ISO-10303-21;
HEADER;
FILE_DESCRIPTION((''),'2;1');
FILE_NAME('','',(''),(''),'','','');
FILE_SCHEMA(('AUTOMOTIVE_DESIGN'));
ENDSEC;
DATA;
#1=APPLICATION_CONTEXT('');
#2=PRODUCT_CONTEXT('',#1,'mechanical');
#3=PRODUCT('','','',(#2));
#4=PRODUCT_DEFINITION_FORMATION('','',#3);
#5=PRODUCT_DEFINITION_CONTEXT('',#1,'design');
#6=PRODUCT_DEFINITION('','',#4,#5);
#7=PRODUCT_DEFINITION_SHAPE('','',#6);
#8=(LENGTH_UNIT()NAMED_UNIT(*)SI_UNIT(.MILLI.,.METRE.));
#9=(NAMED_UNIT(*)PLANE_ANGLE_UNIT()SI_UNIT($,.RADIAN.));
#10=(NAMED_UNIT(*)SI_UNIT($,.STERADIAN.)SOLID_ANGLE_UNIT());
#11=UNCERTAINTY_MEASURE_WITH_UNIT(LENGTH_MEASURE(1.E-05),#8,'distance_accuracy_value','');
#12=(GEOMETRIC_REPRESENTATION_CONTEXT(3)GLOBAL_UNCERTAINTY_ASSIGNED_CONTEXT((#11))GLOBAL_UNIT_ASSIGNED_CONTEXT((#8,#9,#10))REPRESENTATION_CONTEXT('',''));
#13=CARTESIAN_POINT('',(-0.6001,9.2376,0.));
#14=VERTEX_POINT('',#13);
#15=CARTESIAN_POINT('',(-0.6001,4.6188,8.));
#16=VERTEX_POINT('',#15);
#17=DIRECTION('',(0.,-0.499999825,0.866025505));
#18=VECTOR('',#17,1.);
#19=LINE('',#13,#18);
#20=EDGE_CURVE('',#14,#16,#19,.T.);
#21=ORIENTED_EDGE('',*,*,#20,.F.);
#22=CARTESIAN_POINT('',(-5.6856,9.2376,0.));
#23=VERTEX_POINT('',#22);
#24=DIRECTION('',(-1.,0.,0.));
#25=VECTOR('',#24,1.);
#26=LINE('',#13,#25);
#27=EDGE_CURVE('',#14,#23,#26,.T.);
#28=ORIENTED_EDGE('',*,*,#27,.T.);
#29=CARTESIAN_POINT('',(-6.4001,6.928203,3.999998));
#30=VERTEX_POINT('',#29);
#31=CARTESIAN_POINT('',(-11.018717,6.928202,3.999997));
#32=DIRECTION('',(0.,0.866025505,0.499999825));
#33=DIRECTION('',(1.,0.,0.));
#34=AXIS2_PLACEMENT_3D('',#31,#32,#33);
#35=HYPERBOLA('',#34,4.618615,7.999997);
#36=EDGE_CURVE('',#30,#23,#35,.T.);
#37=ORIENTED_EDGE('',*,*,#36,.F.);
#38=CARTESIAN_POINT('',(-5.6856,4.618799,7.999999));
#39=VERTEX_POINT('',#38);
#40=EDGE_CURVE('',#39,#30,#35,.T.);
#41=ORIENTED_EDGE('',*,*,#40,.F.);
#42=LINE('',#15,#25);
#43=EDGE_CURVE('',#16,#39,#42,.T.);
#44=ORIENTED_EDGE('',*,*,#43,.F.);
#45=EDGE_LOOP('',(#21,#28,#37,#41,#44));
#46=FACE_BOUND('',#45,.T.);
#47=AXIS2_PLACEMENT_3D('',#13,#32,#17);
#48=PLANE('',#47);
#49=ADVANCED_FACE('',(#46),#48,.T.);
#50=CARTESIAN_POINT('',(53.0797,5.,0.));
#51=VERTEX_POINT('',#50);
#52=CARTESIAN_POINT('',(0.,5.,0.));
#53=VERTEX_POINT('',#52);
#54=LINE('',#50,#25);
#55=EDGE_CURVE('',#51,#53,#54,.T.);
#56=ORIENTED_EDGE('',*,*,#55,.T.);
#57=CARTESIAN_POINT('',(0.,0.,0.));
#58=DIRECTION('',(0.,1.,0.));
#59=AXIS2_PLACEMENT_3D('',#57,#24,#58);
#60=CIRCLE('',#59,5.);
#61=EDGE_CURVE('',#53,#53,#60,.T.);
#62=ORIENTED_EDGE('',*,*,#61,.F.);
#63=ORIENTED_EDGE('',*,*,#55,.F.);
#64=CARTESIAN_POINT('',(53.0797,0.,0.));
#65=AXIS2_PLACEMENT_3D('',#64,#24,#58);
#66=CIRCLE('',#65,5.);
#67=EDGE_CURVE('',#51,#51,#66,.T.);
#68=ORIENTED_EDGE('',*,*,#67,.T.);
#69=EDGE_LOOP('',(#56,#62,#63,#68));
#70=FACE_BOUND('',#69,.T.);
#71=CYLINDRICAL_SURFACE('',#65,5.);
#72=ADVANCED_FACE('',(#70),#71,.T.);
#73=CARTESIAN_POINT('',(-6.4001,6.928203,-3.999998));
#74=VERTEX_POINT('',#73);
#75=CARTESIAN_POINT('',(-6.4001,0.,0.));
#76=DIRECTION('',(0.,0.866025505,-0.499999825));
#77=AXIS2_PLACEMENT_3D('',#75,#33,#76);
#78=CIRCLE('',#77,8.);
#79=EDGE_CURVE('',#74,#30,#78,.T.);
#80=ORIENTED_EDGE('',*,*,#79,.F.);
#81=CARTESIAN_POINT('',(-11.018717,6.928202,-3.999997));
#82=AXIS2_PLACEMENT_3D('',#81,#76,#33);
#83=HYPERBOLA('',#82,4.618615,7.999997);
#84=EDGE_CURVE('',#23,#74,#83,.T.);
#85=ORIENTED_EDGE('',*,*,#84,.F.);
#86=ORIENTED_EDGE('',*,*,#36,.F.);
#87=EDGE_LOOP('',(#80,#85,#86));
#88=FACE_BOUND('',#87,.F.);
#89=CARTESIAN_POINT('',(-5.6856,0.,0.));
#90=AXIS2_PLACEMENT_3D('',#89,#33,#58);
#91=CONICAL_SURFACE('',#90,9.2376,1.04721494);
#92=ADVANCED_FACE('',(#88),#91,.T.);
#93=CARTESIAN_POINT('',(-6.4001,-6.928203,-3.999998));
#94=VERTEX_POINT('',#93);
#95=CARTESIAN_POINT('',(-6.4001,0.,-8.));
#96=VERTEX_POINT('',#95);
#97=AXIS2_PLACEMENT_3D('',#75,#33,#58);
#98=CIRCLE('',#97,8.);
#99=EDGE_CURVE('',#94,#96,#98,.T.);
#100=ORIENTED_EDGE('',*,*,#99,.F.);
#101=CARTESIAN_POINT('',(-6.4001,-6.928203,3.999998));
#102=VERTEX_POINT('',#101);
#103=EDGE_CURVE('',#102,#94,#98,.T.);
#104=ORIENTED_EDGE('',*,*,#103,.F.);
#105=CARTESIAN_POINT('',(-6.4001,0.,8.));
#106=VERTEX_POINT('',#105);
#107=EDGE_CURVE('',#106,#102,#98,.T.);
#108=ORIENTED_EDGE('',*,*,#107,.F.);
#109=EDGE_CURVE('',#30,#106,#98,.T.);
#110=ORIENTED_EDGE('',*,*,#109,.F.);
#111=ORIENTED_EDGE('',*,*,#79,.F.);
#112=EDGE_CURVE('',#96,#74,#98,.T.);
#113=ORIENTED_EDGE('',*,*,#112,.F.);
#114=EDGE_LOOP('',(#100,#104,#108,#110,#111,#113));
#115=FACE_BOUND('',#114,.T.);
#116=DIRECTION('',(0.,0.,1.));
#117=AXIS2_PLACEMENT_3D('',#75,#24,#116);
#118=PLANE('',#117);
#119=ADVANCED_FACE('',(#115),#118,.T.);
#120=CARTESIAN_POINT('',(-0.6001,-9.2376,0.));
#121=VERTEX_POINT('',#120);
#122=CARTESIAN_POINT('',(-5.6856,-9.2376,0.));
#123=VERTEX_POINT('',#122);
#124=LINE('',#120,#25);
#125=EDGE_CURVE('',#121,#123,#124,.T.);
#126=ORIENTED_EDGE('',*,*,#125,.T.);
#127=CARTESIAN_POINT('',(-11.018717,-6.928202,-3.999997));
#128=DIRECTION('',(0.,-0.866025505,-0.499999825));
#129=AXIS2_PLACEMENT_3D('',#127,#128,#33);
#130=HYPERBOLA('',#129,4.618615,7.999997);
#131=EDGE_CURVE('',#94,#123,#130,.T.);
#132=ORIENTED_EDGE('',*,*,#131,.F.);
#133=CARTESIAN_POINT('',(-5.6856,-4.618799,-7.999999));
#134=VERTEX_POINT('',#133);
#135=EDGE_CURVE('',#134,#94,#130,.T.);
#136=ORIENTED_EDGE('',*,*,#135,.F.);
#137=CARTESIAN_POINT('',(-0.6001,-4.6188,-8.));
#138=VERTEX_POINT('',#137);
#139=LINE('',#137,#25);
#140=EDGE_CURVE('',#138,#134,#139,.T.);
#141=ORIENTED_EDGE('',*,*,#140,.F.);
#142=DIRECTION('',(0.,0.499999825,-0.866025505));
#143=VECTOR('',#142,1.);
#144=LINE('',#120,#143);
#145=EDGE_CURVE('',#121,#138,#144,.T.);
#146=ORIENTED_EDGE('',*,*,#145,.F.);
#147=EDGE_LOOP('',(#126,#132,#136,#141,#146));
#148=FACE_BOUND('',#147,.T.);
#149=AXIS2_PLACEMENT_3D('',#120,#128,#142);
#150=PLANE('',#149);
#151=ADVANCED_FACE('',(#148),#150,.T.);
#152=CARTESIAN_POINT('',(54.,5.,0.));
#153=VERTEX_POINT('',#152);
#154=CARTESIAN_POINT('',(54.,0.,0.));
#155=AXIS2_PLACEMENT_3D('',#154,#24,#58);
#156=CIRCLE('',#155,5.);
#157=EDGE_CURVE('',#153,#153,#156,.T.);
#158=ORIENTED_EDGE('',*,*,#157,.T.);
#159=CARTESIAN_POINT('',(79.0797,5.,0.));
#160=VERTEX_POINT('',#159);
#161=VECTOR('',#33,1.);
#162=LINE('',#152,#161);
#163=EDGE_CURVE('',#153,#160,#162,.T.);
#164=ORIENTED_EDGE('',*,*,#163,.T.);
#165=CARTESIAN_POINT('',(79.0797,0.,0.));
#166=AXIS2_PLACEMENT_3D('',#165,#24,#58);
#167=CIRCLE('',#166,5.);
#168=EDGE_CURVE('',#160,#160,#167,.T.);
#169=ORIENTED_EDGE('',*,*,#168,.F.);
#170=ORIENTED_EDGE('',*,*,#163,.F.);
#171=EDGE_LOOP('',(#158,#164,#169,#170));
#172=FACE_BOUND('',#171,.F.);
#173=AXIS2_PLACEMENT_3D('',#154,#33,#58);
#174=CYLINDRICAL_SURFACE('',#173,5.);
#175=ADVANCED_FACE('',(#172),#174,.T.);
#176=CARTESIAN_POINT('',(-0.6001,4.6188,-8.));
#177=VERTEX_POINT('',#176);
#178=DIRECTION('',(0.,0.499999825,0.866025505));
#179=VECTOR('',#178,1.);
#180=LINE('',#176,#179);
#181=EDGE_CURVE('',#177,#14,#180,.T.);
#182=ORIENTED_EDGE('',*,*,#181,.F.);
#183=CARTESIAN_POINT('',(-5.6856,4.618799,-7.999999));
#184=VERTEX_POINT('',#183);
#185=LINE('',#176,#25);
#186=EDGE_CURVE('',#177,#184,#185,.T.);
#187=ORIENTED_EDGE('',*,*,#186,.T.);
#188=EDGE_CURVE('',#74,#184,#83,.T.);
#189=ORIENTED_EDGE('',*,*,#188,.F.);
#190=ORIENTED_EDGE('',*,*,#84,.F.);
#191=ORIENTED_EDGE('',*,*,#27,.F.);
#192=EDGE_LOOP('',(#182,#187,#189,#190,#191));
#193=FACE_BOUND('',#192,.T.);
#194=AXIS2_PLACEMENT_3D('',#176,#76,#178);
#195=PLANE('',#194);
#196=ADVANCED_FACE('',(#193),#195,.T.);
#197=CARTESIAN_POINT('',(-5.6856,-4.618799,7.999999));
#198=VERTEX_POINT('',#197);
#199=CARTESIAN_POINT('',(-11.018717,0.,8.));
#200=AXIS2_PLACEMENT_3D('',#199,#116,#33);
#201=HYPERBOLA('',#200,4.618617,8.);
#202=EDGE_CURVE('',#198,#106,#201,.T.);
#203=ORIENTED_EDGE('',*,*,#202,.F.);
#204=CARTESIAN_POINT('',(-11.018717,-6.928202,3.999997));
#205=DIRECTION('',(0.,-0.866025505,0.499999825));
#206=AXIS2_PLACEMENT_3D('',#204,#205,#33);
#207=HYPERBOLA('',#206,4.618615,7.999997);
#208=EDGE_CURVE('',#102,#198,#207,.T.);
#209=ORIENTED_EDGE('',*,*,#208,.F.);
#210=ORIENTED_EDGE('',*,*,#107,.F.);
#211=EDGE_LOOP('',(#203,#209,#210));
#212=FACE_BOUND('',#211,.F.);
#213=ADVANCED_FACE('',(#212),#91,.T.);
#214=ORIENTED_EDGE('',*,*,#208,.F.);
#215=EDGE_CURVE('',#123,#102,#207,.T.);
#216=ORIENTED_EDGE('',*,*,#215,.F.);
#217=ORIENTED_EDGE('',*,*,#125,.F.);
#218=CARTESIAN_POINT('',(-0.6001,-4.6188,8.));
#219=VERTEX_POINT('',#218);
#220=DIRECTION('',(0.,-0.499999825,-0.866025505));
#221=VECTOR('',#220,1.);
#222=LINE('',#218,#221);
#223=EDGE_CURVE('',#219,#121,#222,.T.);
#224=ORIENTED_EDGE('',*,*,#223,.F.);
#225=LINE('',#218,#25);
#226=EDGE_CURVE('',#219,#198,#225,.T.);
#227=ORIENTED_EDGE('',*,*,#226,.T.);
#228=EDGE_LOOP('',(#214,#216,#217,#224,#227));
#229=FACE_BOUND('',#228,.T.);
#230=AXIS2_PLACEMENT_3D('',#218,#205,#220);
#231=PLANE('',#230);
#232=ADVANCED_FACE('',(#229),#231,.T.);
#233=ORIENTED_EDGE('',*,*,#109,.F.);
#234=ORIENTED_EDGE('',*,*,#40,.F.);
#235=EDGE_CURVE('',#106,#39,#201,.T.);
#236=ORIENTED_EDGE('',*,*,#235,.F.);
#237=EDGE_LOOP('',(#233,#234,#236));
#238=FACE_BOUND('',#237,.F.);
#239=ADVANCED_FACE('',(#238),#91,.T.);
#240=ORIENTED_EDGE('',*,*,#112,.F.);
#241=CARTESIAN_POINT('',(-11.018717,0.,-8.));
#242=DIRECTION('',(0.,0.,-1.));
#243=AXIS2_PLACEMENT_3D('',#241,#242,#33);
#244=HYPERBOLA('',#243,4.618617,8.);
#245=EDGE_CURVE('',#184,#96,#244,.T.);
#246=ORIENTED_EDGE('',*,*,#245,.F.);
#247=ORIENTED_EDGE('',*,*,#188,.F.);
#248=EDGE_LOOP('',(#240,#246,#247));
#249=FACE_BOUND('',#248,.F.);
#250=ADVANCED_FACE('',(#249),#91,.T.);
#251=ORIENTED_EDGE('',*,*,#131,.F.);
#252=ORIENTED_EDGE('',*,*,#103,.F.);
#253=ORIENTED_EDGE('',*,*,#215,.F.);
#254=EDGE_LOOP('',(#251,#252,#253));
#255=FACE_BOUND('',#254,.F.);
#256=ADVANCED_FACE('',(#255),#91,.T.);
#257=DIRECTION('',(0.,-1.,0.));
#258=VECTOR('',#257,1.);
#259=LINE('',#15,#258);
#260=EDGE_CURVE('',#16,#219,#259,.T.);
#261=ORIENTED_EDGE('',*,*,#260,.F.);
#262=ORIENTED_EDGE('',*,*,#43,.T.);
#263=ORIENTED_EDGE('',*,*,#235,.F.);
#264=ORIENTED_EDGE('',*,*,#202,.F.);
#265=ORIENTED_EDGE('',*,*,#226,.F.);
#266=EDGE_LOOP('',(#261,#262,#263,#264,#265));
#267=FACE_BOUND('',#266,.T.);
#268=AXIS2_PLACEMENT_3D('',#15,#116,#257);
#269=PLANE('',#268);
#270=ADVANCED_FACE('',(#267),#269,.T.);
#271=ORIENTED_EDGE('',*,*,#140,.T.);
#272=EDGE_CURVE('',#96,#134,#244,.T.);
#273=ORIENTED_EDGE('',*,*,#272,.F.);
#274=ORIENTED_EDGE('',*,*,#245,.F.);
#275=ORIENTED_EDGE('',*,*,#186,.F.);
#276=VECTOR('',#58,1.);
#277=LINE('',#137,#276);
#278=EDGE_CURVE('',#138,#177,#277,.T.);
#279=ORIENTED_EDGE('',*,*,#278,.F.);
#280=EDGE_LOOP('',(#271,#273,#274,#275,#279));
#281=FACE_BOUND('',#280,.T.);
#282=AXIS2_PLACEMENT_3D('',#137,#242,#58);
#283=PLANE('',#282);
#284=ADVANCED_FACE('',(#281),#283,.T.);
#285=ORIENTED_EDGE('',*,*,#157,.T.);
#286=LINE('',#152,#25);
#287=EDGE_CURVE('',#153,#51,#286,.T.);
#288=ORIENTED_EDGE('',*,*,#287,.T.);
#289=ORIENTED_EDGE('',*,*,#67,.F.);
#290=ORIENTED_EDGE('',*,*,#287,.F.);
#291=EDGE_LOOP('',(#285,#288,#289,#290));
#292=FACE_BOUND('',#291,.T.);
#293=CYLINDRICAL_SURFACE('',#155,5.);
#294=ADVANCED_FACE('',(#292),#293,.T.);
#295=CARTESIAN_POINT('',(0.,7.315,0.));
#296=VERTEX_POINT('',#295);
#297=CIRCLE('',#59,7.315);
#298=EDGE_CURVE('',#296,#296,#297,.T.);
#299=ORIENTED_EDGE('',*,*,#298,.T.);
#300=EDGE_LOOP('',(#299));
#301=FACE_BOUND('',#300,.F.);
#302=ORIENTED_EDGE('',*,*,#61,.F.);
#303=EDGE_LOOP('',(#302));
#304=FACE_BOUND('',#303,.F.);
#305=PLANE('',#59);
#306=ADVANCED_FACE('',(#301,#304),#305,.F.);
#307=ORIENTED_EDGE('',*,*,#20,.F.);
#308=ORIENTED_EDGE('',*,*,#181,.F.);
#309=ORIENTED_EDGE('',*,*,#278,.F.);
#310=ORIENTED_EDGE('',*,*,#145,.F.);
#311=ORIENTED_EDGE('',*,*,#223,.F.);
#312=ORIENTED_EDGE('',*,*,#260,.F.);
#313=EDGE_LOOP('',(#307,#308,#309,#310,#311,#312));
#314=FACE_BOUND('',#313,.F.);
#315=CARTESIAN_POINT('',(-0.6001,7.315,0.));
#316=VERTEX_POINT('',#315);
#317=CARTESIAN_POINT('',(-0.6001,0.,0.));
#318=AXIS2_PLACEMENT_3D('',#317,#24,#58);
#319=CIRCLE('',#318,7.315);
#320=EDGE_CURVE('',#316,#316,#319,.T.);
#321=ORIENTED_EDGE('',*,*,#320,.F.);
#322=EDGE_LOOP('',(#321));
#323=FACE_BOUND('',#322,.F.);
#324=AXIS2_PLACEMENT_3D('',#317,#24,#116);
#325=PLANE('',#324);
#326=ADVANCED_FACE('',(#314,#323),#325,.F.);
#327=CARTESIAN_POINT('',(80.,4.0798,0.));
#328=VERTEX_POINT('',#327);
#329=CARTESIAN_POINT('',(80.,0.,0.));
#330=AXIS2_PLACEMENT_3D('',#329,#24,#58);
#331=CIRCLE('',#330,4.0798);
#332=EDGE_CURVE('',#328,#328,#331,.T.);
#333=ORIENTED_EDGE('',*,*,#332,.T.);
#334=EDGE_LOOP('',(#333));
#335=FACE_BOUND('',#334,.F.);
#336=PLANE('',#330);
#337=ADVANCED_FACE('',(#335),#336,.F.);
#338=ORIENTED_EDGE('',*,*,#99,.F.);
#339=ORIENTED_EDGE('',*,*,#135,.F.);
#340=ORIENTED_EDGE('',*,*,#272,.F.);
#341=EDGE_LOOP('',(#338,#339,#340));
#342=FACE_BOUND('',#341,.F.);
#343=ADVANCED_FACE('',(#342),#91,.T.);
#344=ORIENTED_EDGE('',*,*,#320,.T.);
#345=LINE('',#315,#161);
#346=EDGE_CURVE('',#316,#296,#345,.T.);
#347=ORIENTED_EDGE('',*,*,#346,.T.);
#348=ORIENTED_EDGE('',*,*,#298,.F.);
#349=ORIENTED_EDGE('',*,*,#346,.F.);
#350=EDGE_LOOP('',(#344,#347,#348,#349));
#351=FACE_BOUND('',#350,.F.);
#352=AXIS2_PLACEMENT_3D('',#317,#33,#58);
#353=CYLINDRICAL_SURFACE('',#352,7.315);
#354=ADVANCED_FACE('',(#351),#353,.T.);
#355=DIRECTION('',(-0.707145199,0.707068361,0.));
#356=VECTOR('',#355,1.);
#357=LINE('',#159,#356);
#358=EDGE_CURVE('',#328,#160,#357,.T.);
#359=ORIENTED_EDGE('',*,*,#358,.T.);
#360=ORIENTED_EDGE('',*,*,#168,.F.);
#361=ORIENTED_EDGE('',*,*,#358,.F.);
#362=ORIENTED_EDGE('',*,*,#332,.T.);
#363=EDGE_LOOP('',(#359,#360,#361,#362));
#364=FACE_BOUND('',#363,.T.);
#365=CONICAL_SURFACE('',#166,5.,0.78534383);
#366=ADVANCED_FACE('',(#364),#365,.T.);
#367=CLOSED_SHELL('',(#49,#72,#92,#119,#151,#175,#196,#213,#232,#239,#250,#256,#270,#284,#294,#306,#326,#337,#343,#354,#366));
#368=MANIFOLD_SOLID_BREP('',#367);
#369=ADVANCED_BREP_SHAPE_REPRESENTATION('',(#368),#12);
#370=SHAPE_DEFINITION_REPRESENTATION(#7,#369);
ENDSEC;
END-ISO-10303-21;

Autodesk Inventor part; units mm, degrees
ref_plane "YZ Plane" through (0, 0, 0) normal (1, 0, 0) x (0, 1, 0)
ref_plane "XZ Plane" through (0, 0, 0) normal (0, 1, 0) x (-1, 0, 0)
sketch "Sketch1" plane through (0, 0, 0) normal (0, 0, 1) x (1, 0, 0)
  line L0 (0, 7.315) -> (0, 5)
  line L1 (54, 5) -> (80, 5)
  line L2 (80, 5) -> (80, 0)
  line L3 (80, 0) -> (-0.6001, 0)
  line L4 (-16.7201, 0) -> (96.12, 0) projected
  line L5 (-0.6001, 0) -> (-0.6001, 7.315)
  line L6 (-0.6001, 7.315) -> (0, 7.315)
  line L7 (54, 5) -> (53.0797, 5)
  line L8 (53.0797, 5) -> (0, 5)
  line L9 (0, -1.463) -> (0, 8.778) projected
  dimension "d0" = 80
  dimension "d1" = 26
  dimension "d2" = 10
  dimension "d9" = 0.6001
  dimension "d10" = 14.63
  dimension "d13" = 0.9203
  dimension "d14" = 10
revolve "Body" add sketch "Sketch1" angle 360 about axis through (80, 0, 0) along (-1, 0, 0)
sketch "Sketch2" plane through (-0.6001, 0, 0) normal (-1, 0, 0) x (0, 0, 1)
  line L0 (0, 9.2376) -> (8, 4.6188)
  line L1 (8, 4.6188) -> (8, -4.6188)
  line L2 (8, -4.6188) -> (0, -9.2376)
  line L3 (0, -9.2376) -> (-8, -4.6188)
  line L4 (-8, -4.6188) -> (-8, 4.6188)
  line L5 (-8, 4.6188) -> (0, 9.2376)
  point P0 (0, 0)
  point P1 (0, 0)
  dimension "d11" = 16
extrude "Head" add sketch "Sketch2" along normal blind 5.8
sketch "Sketch4" plane through (0, 0, 0) normal (0, 0, 1) x (1, 0, 0)
  line L0 (-6.4001, 8) -> (-6.4001, 9.2376)
  line L1 (-6.4001, 9.2376) -> (-5.6856, 9.2376)
  line L2 (-5.6856, 9.2376) -> (-6.4001, 8)
  line L3 (-7.5601, 0) -> (0.5599, 0) projected
  line L4 (-0.6001, 9.2376) -> (-6.4001, 9.2376) projected
  line L5 (-6.4001, 4.6188) -> (-6.4001, 9.2376) projected
  dimension "d5" = 30
  dimension "d19" = 16
revolve "Chamfer1" cut sketch "Sketch4" angle 360 about axis through (-10, 0, 0) along (1, 0, 0)
thread "Thread" size "M10x1.5" class "6g" standard "ISO Metric profile" length 26
chamfer "Chamfer2" distance 0.9202 distance2 0.9203 1 edges at (80, -5, 0) measured on face at (80, 0.2493, 1.2557)
ref_plane "Work Plane1" through (1.525, 0, 0) normal (0, 0, 1) x (1, 0, 0)
equation "\"d0\" = NLG"
equation "\"d1\" = GEL"
equation "\"d2\" = GD"
equation "\"d10\" = SD2"
equation "\"d14\" = BDM"
equation "\"d11\" = SW"
equation "\"d3\" = KOH - SD"
equation "\"d5\" = ANG1"
equation "\"d19\" = SW0"
equation "\"d15\" = GEL"
equation "\"d6\" = -0.5 * SPD + 0.5 * GD"
equation "\"NLG\" = 80"
equation "\"GD\" = NND"
equation "\"BDM\" = NND"
equation "\"KOH\" = 6.4"
equation "\"GEL\" = 26"
equation "\"SW\" = 16"
equation "\"SW0\" = SW"
equation "\"SPD\" = NND - 1.2269 * PTC"
equation "\"SD2\" = 14.63"
equation "\"SD\" = 0.6"
equation "\"ANG1\" = 30deg"
equation "\"GAL\" = 0.61345 * PTC"
equation "\"GUL\" = 0.61345 * PTC"
equation "\"RR\" = 0.4"
equation "\"GD1\" = THREADDIA - 1.2269 * PTC"
equation "\"SDH\" = SD2"
equation "\"TOA\" = 30deg"
equation "\"PTC\" = 1.5"
equation "\"E0\" = 1.155 * SW"
equation "\"NND\" = 10"
equation "\"THREADDIA\" = 10"
properties part number "ISO 4014 - M10 x 80" material "Stainless Steel, 440C"
